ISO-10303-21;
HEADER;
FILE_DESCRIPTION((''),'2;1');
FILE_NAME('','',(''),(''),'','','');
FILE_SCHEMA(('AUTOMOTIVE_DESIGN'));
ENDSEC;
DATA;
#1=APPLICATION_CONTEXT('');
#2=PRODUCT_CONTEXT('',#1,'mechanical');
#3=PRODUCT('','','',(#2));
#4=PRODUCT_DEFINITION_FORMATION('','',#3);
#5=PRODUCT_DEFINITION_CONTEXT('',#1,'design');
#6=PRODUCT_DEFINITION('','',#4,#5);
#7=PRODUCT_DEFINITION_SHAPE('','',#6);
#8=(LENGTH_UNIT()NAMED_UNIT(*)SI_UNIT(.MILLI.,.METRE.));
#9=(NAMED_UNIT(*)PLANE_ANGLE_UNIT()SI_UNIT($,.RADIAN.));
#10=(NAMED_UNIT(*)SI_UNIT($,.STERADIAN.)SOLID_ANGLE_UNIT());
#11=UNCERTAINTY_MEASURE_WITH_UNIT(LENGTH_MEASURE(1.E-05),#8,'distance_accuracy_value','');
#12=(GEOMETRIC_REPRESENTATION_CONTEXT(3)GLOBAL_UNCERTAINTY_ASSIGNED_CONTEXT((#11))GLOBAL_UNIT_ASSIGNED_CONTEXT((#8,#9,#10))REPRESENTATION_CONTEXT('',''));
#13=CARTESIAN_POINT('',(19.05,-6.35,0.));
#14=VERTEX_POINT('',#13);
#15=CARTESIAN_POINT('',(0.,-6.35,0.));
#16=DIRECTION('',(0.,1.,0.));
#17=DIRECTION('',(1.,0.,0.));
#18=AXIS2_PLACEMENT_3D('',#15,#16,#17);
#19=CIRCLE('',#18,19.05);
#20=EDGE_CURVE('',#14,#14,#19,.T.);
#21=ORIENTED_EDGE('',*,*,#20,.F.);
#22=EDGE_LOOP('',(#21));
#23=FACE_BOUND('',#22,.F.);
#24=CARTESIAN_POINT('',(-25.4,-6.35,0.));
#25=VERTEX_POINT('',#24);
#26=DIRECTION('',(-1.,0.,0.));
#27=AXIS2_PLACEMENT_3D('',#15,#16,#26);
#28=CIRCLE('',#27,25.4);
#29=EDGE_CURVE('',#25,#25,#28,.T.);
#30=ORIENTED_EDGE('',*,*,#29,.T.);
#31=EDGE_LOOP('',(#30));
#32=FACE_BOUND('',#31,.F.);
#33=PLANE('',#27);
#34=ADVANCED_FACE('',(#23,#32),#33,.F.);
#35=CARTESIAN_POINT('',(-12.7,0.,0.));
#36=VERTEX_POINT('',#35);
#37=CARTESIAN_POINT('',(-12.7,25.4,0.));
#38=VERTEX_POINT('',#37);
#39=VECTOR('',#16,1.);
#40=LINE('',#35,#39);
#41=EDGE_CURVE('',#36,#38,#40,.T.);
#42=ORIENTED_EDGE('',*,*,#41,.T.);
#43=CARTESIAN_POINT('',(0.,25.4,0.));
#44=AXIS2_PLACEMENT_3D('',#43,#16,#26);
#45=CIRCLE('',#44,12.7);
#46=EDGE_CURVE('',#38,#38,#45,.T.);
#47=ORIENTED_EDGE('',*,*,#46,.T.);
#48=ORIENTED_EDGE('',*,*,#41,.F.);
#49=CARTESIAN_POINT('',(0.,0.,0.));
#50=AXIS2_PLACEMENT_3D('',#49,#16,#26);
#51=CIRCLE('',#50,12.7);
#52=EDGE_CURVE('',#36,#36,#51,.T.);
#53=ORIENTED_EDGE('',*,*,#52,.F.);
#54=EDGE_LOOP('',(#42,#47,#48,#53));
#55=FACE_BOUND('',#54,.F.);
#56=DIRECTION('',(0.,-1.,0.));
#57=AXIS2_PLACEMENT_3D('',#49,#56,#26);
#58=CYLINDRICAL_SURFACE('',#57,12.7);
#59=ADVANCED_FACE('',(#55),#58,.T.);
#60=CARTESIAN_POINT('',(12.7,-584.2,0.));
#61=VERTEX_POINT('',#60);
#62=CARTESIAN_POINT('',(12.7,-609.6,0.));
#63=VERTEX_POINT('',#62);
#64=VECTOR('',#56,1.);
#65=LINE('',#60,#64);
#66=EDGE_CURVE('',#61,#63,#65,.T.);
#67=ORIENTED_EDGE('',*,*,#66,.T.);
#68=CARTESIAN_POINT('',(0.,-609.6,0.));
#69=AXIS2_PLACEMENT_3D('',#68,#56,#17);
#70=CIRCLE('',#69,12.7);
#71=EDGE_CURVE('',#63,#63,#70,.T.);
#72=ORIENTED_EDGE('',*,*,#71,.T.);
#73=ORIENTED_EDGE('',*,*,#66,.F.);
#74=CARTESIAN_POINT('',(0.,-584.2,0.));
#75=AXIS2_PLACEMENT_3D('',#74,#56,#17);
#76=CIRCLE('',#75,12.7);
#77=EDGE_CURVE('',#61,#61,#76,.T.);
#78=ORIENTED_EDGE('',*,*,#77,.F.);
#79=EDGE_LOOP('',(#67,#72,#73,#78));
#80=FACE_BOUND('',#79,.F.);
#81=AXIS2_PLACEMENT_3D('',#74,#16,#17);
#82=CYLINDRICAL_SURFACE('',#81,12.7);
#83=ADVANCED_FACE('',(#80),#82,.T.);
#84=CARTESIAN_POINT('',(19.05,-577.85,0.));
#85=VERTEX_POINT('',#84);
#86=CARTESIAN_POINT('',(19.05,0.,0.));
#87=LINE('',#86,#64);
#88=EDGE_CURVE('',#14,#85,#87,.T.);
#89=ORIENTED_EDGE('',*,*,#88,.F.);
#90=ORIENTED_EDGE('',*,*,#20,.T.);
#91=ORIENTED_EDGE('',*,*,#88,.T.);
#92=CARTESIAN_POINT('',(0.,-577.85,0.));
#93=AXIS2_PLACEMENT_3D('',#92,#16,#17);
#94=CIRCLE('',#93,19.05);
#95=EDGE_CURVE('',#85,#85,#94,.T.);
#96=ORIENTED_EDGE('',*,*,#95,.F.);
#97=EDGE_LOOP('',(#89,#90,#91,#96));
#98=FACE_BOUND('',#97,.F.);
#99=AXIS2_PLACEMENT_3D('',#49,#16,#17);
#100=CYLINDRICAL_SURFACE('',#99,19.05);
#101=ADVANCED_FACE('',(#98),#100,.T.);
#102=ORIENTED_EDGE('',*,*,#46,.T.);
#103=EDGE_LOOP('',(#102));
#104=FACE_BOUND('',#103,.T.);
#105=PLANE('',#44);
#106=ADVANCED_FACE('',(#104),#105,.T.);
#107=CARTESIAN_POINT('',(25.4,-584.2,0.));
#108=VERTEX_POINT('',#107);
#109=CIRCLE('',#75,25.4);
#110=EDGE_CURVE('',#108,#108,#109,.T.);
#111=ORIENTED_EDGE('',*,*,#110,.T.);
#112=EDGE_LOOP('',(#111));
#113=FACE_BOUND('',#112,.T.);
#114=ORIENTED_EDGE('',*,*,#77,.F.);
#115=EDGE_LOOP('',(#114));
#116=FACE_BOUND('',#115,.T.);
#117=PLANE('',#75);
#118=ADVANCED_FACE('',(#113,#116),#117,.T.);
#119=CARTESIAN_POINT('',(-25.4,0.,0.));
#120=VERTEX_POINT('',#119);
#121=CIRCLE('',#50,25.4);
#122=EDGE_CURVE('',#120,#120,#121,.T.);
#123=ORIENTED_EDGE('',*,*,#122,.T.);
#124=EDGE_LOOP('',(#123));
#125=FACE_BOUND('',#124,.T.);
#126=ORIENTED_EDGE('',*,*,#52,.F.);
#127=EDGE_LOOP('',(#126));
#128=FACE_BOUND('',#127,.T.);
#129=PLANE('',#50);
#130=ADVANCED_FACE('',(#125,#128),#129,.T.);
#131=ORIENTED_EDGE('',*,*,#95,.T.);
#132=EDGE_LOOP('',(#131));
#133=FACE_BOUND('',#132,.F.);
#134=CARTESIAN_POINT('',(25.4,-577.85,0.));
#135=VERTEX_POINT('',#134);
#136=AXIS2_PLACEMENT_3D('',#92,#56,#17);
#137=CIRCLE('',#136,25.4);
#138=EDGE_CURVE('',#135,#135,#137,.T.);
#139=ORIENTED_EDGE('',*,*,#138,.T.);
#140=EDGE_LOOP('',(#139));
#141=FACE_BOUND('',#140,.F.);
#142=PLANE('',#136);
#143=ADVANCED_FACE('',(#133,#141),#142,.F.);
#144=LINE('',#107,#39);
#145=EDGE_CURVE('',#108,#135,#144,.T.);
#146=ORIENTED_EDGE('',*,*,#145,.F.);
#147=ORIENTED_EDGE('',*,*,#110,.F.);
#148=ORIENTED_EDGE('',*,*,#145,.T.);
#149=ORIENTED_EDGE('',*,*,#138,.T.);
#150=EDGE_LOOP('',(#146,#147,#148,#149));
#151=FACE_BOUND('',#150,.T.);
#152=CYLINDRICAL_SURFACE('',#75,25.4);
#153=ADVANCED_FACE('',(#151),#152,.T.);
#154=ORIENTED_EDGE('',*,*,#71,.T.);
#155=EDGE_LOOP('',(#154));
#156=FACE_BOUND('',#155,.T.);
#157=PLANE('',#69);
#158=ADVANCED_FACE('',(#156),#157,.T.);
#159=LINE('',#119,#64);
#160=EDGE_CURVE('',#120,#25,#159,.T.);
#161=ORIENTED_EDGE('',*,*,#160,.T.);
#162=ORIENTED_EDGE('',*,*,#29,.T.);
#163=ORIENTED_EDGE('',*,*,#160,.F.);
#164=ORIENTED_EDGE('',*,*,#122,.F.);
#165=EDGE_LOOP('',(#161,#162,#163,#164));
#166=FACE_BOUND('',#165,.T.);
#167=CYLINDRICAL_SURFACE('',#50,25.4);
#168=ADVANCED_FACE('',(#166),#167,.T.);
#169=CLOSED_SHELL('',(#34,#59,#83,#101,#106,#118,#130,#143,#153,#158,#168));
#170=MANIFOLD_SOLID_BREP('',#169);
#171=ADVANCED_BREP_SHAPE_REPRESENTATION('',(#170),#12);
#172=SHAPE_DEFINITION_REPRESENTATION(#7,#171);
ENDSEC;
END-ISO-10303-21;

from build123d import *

# Parameters (mm, degrees)
F0_R     = 19.05
F1_DEPTH = 584.2
F3_R     = 25.4
F4_DEPTH = 6.35
F2_R     = 25.4
F2_R_2   = 19.05
F5_DEPTH = 6.35
F6_R     = 12.7
F7_DEPTH = 25.4
F8_R     = 12.7
F9_DEPTH = 25.4


with BuildPart() as f1:
    # F0 (on Front) → F1 (new body)
    with BuildSketch(Plane.XZ):
        Circle(F0_R)
    extrude(amount=F1_DEPTH)

    # F3 (on face) → F4 (join)
    with BuildSketch(Plane.XZ.offset(584.2)):
        Circle(F3_R)
    extrude(amount=-F4_DEPTH)

    # F2 (on face) → F5 (join)
    with BuildSketch(Plane(origin=(0, 0, 0), x_dir=(-1, 0, 0), z_dir=(0, 1, 0))):
        Circle(F2_R)
        Circle(F2_R_2, mode=Mode.SUBTRACT)
    extrude(amount=-F5_DEPTH)

    # F6 (on face) → F7 (join)
    with BuildSketch(Plane.XZ.offset(584.2)):
        Circle(F6_R)
    extrude(amount=F7_DEPTH)

    # F8 (on face) → F9 (join)
    with BuildSketch(Plane(origin=(0, 0, 0), x_dir=(-1, 0, 0), z_dir=(0, 1, 0))):
        Circle(F8_R)
    extrude(amount=F9_DEPTH)


solid = f1.part
